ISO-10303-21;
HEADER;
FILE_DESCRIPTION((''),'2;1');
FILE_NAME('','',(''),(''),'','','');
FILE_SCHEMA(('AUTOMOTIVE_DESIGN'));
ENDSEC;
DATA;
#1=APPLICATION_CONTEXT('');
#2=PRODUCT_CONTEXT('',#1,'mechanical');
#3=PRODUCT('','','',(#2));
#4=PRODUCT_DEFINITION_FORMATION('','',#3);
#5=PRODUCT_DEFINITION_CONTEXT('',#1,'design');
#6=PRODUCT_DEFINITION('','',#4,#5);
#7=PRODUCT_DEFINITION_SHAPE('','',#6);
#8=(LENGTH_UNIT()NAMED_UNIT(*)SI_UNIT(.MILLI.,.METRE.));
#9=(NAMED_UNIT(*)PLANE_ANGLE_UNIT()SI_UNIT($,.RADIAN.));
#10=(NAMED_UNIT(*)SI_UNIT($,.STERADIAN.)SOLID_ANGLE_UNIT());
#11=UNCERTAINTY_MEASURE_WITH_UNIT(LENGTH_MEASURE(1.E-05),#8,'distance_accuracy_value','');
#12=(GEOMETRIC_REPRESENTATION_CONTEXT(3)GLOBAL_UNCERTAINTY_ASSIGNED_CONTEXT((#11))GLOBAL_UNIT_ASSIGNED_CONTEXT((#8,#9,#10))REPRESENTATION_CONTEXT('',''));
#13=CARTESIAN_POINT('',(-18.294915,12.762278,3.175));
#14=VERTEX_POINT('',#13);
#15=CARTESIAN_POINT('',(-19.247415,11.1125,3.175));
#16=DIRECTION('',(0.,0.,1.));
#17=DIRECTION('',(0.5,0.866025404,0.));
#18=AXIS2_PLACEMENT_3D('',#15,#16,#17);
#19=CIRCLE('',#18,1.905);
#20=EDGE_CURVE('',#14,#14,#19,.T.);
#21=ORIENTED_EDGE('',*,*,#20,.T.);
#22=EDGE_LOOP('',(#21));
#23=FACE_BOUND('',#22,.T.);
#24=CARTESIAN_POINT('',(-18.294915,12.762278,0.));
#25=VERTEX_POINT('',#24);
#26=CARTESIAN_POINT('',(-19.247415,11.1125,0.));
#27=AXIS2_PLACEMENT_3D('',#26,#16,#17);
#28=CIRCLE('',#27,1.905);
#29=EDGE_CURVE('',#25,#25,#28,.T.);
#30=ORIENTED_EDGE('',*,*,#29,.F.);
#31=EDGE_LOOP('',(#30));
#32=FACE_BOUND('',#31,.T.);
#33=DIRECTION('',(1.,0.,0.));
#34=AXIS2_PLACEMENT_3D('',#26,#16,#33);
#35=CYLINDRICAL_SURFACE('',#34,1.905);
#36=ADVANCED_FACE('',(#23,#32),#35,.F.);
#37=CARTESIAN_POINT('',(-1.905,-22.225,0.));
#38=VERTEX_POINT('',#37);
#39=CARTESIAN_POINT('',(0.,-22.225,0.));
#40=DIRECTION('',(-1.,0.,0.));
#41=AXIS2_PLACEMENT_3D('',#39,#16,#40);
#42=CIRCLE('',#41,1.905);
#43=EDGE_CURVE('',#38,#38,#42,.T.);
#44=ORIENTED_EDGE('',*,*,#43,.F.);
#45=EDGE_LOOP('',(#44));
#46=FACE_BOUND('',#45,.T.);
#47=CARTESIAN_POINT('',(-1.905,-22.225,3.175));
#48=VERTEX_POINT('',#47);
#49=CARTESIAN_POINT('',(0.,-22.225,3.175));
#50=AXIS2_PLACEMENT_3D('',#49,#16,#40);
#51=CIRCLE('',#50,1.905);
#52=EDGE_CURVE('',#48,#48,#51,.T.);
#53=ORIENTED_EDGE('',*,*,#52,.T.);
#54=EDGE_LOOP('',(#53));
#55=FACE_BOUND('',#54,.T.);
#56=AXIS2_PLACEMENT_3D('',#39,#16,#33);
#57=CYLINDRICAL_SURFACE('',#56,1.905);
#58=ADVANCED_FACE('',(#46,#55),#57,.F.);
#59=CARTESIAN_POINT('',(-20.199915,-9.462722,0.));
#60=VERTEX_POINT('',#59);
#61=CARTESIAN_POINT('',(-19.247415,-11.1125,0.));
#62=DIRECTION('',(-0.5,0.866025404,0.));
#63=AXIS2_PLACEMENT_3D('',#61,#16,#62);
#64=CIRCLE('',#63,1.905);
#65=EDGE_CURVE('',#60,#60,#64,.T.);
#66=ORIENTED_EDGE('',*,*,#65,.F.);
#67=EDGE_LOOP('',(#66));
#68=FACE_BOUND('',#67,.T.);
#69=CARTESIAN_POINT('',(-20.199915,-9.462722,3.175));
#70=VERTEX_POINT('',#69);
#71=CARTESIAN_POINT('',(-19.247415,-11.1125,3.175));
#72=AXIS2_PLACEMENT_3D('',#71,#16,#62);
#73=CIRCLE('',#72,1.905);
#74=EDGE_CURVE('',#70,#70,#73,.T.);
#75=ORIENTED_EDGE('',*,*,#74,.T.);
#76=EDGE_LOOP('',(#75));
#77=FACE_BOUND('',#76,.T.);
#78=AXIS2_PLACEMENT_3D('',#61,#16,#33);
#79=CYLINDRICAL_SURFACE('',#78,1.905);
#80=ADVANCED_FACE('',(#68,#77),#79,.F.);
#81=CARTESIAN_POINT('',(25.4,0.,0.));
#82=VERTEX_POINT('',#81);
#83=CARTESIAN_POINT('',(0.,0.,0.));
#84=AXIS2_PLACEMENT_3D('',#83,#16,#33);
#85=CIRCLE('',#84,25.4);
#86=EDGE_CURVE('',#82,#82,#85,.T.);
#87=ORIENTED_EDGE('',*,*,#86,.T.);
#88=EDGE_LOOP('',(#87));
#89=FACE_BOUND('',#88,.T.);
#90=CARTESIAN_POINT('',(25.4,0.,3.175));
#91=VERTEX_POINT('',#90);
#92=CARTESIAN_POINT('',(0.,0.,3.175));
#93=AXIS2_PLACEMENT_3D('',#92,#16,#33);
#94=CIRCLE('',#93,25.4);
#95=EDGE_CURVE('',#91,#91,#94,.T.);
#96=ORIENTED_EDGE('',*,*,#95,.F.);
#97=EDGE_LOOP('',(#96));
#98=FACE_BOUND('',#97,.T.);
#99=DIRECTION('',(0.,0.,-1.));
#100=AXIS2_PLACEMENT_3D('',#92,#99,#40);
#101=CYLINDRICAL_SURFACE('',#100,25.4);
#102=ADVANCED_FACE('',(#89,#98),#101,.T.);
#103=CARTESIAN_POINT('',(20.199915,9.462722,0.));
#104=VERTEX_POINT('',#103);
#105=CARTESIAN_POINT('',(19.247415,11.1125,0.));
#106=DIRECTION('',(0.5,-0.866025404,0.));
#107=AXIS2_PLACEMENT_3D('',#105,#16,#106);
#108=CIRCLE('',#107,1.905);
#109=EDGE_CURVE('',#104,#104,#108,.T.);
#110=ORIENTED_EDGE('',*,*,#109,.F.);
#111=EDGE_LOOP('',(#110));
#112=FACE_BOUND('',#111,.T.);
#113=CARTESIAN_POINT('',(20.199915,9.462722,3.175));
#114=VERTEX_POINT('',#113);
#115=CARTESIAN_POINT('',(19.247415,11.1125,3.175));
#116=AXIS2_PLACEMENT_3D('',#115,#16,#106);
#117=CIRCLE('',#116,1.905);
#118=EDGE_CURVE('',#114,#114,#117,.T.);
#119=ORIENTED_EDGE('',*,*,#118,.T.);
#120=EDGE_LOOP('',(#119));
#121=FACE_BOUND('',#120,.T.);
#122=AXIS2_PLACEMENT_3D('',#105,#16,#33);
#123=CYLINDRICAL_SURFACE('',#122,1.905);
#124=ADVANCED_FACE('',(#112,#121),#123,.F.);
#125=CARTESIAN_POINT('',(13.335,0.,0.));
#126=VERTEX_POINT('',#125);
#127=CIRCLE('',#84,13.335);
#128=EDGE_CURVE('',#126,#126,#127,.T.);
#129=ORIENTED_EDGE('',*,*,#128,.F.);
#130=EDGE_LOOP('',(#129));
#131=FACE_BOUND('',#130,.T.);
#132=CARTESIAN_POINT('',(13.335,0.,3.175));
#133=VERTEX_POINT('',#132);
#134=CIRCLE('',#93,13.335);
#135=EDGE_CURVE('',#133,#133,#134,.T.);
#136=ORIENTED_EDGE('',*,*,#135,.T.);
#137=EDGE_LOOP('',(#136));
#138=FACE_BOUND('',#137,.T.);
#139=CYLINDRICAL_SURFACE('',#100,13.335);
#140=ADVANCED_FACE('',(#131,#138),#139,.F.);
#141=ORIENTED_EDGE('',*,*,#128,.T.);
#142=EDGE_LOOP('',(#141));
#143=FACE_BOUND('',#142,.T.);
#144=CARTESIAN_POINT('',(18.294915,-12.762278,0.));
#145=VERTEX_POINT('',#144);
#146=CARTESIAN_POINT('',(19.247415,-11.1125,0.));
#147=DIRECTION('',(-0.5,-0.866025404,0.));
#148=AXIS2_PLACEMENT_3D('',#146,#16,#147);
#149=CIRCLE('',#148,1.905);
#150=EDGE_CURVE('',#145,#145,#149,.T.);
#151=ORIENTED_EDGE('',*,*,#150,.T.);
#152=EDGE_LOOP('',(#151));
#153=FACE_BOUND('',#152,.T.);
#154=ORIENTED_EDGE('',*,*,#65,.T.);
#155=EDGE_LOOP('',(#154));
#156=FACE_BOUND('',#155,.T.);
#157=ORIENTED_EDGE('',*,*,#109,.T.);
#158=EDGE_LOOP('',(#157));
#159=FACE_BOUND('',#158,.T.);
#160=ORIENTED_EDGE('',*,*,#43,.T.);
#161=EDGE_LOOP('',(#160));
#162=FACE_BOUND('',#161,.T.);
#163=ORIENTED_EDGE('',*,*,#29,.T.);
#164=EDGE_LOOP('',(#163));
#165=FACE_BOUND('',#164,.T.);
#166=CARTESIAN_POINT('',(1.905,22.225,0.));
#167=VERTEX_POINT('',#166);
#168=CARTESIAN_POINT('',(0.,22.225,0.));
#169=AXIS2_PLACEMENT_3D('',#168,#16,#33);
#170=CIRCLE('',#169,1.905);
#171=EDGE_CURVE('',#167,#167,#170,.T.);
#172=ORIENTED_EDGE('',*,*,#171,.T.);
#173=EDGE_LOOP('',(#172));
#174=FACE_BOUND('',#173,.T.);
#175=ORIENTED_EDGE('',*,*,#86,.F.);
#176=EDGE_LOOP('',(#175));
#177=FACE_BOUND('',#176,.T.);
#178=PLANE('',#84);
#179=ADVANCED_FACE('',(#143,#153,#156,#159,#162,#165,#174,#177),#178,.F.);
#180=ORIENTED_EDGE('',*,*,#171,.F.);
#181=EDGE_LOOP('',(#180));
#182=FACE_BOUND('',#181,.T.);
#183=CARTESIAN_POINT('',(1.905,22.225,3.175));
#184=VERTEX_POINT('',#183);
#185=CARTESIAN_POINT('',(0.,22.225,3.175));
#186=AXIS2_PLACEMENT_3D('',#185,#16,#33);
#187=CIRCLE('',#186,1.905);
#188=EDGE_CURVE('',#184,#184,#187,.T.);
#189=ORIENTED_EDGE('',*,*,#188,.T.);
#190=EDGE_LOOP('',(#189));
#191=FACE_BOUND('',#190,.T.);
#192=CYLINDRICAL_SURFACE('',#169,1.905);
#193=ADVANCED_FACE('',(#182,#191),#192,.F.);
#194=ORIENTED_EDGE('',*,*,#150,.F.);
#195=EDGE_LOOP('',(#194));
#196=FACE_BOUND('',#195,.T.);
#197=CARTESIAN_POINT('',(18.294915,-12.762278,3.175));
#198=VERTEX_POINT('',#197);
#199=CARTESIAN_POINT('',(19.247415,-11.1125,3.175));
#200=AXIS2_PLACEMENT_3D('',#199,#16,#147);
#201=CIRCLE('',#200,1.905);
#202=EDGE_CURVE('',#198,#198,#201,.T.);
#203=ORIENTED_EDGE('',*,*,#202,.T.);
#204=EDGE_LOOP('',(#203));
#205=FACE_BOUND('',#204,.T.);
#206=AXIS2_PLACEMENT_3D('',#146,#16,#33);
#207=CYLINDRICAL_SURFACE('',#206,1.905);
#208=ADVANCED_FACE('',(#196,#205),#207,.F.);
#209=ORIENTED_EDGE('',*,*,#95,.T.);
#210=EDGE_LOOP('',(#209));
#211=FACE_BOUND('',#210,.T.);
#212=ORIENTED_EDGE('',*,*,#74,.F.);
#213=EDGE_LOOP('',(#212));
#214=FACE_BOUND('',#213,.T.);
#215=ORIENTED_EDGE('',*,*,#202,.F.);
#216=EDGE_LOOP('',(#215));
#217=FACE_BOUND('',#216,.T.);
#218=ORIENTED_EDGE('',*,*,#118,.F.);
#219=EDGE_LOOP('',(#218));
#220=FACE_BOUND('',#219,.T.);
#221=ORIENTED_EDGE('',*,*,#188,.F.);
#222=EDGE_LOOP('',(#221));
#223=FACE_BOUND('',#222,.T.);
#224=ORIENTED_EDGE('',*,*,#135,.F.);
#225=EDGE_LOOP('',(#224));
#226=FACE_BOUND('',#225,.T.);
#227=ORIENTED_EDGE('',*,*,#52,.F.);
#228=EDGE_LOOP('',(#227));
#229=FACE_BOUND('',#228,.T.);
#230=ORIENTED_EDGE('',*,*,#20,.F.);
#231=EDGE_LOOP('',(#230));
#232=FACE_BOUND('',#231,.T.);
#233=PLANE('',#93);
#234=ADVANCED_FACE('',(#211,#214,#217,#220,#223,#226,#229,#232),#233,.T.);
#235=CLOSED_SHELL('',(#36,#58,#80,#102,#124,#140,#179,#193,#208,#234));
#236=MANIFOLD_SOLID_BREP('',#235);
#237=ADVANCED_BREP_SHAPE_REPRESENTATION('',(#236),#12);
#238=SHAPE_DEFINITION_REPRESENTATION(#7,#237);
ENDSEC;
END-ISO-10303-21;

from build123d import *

# Parameters (mm, degrees)
SKETCH1_R           = 25.4
SKETCH1_R_2         = 13.335
BOSS_EXTRUDE1_DEPTH = 3.175
SKETCH2_R           = 1.905
CUT_EXTRUDE1_DEPTH  = 37.061067996
CIRPATTERN1_COUNT   = 6


with BuildPart() as part:
    # Sketch1 → Boss-Extrude1 (new body)
    with BuildSketch(Plane.XY):
        Circle(SKETCH1_R)
        Circle(SKETCH1_R_2, mode=Mode.SUBTRACT)
    extrude(amount=BOSS_EXTRUDE1_DEPTH)

    # Sketch2 → Cut-Extrude1 (cut, through all)
    with BuildSketch(Plane.XY.offset(3.175)):
        with Locations((0, 22.225)):
            Circle(SKETCH2_R)
    cut_extrude1 = extrude(amount=-CUT_EXTRUDE1_DEPTH, mode=Mode.SUBTRACT)

    # CirPattern1: Cut-Extrude1 ×6 about axis
    cirpattern1_axis = Axis((0, 0, 0), (0, 0, 1))
    for i in range(1, CIRPATTERN1_COUNT):
        add(cut_extrude1.rotate(cirpattern1_axis, i * 360 / CIRPATTERN1_COUNT), mode=Mode.SUBTRACT)


solid = part.part
